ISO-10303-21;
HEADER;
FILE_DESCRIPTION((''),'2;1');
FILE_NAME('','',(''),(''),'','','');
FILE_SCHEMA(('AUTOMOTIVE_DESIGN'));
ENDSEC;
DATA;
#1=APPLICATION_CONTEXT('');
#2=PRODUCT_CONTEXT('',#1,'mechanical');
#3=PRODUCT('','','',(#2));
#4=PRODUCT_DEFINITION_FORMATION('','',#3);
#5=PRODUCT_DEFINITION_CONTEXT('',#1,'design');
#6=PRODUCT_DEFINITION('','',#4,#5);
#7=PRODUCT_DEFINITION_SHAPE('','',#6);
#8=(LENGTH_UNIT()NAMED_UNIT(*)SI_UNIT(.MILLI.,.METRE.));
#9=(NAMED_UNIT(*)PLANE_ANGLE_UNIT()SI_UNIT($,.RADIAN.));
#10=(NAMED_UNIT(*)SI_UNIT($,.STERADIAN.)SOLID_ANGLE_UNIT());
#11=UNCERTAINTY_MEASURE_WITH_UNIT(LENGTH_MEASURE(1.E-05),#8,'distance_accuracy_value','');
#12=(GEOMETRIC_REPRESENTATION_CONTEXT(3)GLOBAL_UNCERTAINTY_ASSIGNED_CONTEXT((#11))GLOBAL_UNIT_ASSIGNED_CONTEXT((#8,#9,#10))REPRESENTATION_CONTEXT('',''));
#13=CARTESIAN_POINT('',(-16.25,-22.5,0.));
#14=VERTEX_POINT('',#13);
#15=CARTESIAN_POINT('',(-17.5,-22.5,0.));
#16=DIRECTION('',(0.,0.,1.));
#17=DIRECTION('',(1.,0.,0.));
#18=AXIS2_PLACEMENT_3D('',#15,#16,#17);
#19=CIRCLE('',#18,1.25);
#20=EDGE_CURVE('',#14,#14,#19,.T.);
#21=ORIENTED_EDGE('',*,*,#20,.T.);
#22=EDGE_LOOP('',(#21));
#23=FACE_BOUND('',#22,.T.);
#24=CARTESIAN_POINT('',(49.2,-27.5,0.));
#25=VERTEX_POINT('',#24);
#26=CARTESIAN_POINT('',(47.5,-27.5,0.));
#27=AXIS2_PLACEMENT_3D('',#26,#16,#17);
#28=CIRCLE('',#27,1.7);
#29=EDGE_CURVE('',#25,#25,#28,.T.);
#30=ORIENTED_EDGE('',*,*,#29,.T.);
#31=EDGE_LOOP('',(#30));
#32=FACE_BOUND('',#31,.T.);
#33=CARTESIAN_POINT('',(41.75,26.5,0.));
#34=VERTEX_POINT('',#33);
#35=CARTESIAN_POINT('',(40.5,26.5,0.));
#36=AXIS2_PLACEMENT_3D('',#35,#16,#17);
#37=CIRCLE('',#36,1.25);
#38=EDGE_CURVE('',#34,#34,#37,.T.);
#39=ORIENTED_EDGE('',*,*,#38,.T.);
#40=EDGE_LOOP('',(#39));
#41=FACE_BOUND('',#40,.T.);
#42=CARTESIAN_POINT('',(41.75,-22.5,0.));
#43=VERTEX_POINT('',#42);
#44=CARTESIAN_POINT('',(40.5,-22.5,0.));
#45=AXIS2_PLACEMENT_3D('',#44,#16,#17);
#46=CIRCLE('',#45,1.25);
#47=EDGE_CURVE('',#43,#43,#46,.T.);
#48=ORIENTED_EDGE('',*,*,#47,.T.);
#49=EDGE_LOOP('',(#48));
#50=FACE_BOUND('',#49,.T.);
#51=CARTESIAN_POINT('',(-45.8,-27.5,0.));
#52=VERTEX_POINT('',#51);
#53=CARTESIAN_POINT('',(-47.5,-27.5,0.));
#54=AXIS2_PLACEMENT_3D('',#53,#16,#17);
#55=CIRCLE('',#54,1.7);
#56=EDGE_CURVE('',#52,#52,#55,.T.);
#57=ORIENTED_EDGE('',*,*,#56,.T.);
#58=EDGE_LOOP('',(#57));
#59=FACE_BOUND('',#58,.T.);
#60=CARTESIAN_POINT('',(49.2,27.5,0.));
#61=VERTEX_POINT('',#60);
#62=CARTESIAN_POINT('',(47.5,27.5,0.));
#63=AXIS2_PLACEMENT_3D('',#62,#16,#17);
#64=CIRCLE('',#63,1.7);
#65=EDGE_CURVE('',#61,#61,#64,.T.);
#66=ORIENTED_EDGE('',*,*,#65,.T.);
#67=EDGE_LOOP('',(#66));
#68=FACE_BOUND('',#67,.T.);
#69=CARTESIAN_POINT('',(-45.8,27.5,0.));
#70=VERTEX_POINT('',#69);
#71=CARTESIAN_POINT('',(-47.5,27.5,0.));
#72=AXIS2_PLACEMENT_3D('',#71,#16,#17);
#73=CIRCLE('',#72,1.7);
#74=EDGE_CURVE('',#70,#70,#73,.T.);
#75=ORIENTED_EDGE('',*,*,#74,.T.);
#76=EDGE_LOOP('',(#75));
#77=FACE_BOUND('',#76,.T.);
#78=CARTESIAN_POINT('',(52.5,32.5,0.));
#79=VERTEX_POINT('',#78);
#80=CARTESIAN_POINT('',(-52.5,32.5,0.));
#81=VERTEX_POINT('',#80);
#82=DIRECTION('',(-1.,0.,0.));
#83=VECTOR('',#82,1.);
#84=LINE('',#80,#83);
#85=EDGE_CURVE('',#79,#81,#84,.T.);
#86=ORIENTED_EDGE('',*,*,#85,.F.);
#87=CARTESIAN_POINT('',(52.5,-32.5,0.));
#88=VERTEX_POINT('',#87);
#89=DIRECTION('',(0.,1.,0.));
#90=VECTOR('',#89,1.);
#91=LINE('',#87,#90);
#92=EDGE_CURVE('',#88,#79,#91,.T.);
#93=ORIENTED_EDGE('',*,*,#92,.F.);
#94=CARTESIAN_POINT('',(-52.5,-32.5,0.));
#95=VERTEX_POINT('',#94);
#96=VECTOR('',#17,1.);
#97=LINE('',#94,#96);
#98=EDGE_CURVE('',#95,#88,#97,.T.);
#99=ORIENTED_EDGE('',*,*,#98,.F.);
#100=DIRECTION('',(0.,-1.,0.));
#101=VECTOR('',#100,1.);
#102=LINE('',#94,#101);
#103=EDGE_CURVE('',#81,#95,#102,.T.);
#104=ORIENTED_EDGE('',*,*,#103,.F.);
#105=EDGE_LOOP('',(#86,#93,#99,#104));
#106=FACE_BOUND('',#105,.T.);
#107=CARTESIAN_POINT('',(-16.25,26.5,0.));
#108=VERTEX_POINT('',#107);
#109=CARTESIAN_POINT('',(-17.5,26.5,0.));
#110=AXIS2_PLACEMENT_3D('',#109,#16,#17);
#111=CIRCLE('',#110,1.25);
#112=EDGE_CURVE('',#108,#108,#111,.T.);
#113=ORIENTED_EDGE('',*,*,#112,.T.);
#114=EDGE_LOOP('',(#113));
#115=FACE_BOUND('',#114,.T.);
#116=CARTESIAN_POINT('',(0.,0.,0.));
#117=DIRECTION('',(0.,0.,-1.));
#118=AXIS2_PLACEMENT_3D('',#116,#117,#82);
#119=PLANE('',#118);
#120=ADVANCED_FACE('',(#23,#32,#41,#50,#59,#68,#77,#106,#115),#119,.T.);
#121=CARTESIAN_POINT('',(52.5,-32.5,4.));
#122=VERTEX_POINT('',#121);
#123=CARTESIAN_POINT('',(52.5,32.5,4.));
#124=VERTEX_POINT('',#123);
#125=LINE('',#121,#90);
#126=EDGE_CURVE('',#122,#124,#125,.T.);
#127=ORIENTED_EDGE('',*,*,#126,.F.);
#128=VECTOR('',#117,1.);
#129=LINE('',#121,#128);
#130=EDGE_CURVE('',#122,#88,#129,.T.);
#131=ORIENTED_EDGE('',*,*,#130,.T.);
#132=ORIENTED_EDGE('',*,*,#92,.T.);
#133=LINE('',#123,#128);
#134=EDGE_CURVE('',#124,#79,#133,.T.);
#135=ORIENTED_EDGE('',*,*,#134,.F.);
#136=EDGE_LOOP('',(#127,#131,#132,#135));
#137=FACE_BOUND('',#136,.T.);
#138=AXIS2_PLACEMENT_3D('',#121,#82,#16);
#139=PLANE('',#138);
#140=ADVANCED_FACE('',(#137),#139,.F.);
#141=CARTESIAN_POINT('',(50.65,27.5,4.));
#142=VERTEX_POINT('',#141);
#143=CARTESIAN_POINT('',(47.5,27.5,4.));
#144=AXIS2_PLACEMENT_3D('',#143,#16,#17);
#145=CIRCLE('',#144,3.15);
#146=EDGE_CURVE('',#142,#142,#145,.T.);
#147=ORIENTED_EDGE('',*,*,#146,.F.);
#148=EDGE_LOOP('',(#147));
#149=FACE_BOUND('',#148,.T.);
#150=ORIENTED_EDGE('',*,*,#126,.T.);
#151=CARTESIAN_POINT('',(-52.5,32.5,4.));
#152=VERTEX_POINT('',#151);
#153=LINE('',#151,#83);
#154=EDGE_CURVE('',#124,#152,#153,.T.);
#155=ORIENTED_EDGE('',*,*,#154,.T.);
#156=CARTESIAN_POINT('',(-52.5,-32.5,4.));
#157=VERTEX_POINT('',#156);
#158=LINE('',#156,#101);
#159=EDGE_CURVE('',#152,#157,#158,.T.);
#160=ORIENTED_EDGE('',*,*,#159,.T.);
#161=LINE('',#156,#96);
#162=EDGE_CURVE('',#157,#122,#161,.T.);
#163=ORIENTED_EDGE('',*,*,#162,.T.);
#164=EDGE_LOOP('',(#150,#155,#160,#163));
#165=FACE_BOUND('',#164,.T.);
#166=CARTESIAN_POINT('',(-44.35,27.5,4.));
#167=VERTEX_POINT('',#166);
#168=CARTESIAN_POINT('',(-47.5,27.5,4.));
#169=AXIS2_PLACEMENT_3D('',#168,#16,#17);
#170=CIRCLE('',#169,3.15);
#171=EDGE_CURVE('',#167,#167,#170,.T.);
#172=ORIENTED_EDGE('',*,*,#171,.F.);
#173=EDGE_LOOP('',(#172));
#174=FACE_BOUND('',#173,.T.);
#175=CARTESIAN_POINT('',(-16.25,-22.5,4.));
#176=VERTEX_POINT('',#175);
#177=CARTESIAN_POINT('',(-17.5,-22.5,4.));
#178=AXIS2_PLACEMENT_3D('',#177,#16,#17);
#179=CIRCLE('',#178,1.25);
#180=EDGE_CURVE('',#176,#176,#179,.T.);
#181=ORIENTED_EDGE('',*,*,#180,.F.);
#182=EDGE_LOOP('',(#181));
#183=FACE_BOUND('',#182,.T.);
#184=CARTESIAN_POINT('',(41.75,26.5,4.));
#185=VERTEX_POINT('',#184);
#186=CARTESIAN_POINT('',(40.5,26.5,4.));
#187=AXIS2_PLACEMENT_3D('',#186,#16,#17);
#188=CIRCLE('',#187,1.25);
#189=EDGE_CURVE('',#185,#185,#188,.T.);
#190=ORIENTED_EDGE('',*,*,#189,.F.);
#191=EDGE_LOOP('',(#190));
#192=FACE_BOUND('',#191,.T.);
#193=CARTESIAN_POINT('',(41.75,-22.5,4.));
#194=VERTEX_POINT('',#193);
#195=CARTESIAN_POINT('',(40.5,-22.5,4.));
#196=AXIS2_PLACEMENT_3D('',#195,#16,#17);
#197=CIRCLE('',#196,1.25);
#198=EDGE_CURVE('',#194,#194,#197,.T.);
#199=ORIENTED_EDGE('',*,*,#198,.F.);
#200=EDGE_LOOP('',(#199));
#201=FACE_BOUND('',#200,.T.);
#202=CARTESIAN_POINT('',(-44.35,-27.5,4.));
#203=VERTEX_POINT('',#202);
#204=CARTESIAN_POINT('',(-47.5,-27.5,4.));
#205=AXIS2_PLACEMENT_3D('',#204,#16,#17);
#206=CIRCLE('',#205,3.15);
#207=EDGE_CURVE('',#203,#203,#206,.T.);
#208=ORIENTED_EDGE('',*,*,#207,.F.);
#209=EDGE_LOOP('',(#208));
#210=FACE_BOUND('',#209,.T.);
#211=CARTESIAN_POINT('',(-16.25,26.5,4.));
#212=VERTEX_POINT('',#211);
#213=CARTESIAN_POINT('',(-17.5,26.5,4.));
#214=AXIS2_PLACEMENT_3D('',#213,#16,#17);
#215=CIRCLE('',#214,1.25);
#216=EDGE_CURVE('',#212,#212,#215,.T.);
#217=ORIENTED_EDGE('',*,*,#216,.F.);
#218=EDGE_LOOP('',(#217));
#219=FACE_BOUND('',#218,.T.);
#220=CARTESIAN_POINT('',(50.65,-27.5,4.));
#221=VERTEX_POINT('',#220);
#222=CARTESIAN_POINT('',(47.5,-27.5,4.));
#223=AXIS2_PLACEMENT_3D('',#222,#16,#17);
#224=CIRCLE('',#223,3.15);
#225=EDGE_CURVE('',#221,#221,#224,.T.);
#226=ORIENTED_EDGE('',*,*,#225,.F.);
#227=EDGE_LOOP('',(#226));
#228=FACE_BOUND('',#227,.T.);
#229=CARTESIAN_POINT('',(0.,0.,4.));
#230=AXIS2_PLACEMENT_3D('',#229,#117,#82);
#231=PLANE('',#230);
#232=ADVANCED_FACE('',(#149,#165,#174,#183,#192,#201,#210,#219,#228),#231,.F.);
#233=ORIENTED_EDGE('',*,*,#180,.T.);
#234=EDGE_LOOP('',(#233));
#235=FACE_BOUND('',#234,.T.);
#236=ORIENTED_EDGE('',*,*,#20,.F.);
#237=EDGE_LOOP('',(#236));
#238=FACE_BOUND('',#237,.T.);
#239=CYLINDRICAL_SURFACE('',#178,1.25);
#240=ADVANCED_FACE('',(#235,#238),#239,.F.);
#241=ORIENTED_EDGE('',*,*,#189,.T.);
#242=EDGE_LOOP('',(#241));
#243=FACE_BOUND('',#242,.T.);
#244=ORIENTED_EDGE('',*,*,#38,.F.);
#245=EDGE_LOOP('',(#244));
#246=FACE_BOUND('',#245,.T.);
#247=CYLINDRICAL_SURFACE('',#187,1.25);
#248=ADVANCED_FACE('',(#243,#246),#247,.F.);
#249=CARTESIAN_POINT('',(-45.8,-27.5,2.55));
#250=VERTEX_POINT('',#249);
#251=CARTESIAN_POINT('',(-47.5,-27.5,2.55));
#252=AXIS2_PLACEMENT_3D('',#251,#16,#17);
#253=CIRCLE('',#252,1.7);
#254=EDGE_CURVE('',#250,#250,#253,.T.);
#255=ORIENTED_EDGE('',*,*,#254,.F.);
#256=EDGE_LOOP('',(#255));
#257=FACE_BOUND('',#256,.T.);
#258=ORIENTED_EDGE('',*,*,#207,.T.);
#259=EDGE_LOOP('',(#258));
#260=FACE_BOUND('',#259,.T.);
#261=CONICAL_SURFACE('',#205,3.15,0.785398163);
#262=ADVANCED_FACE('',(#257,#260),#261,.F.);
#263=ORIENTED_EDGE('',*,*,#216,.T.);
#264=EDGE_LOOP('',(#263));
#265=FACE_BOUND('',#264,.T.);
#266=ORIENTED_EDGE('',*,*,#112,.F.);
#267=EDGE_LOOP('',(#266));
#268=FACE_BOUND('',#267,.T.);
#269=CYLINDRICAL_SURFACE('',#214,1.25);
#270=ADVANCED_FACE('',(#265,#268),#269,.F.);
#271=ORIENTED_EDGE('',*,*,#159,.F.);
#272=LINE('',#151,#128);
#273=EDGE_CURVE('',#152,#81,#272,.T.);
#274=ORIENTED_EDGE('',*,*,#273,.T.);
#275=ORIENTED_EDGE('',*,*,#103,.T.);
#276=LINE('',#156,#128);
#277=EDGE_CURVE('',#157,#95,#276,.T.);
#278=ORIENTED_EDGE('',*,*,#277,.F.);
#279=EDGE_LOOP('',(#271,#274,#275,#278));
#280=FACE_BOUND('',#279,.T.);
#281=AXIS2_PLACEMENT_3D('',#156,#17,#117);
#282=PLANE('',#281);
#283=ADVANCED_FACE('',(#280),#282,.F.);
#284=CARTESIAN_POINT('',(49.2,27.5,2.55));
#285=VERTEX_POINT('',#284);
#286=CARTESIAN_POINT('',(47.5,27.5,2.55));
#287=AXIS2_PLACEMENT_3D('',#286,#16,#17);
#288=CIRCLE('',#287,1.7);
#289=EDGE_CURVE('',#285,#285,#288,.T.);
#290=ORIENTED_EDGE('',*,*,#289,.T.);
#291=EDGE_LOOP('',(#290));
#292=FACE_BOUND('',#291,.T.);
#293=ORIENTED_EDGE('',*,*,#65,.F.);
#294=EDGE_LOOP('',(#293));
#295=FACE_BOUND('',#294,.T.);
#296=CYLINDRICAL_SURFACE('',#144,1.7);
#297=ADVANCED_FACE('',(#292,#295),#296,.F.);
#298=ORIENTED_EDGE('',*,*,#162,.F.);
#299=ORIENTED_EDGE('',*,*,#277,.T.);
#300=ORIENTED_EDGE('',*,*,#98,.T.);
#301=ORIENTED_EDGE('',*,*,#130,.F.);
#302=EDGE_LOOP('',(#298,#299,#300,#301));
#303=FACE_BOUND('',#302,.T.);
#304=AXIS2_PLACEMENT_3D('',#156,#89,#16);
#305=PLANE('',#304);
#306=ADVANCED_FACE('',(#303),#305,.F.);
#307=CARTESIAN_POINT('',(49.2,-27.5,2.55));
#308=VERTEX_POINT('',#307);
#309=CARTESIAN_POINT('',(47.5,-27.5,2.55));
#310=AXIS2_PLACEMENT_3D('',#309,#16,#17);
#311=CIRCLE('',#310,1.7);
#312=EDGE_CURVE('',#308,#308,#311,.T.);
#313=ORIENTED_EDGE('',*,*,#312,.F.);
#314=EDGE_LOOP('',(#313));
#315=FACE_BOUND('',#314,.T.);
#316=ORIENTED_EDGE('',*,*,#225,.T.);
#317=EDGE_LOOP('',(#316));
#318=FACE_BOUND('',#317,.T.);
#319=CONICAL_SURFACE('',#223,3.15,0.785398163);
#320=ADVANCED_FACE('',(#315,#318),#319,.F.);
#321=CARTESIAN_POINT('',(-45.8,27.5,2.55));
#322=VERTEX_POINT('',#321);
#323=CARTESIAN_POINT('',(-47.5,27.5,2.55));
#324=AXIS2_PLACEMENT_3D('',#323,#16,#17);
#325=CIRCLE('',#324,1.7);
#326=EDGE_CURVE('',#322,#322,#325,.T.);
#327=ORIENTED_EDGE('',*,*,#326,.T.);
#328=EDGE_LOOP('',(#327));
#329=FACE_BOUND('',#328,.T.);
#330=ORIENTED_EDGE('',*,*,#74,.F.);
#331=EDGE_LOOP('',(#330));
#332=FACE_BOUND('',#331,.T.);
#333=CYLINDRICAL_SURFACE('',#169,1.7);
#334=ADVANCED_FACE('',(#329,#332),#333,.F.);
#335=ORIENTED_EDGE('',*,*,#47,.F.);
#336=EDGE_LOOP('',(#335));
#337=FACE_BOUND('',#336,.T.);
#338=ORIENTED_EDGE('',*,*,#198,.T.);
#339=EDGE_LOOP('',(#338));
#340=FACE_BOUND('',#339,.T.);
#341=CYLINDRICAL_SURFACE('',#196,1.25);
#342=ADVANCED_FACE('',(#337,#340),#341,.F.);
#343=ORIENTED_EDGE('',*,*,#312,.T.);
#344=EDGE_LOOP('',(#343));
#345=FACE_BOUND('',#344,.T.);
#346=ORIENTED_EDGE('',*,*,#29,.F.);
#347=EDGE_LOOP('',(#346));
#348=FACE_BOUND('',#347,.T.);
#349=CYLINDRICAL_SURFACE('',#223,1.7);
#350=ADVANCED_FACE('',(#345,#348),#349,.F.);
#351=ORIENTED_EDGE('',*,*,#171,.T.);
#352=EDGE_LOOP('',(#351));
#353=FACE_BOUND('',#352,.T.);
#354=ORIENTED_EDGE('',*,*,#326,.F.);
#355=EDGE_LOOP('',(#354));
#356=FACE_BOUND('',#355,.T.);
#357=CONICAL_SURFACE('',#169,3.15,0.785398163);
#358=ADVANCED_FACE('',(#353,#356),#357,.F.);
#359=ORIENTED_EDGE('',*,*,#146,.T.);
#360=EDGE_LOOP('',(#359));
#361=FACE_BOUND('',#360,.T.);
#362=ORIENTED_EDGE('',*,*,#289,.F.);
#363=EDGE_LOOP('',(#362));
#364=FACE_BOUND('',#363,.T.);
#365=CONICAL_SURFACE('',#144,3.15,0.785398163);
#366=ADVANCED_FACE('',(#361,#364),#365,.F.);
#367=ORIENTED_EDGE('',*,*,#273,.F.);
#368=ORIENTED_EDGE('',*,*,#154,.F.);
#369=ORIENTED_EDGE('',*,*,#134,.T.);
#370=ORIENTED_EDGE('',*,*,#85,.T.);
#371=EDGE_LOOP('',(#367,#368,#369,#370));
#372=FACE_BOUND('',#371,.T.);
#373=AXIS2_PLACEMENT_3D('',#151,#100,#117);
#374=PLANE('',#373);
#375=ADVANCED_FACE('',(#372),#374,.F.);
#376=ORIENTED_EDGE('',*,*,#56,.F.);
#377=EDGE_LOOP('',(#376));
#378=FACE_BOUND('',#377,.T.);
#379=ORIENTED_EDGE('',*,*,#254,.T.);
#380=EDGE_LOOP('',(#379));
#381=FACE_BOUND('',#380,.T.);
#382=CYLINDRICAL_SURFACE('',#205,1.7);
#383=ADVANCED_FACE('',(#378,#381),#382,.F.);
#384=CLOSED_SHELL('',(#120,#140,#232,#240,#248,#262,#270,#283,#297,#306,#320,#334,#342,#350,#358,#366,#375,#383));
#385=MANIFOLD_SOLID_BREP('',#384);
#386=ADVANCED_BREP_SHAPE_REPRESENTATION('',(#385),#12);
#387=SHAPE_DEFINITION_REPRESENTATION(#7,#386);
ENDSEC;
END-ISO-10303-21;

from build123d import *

# Parameters (mm, degrees)
SKETCH_1_W                     = 105
SKETCH_1_H                     = 65
EXTRUDE_1_DEPTH                = 4
HOLE_WIZARD_M3_1_D             = 2.5
HOLE_WIZARD_M3_1_2_D           = 3.4
HOLE_WIZARD_M3_1_2_CSINK_D     = 6.3
HOLE_WIZARD_M3_1_2_CSINK_ANGLE = 90


with BuildPart() as part:
    # 草圖1 → 填料-伸長1 (new body)
    with BuildSketch(Plane.XY):
        Rectangle(SKETCH_1_W, SKETCH_1_H)
    extrude(amount=EXTRUDE_1_DEPTH)

    # Hole Wizard M3 _1 (through all)
    with Locations(Plane.XY.offset(4)):
        with Locations((40.5, 26.5), (40.5, -22.5), (-17.5, -22.5), (-17.5, 26.5)):
            Hole(HOLE_WIZARD_M3_1_D / 2)

    # Hole Wizard M3 _1 2 (through all)
    with Locations(Plane.XY.offset(4)):
        with Locations((-47.5, 27.5), (-47.5, -27.5), (47.5, 27.5), (47.5, -27.5)):
            CounterSinkHole(HOLE_WIZARD_M3_1_2_D / 2, HOLE_WIZARD_M3_1_2_CSINK_D / 2, counter_sink_angle=HOLE_WIZARD_M3_1_2_CSINK_ANGLE)


solid = part.part
